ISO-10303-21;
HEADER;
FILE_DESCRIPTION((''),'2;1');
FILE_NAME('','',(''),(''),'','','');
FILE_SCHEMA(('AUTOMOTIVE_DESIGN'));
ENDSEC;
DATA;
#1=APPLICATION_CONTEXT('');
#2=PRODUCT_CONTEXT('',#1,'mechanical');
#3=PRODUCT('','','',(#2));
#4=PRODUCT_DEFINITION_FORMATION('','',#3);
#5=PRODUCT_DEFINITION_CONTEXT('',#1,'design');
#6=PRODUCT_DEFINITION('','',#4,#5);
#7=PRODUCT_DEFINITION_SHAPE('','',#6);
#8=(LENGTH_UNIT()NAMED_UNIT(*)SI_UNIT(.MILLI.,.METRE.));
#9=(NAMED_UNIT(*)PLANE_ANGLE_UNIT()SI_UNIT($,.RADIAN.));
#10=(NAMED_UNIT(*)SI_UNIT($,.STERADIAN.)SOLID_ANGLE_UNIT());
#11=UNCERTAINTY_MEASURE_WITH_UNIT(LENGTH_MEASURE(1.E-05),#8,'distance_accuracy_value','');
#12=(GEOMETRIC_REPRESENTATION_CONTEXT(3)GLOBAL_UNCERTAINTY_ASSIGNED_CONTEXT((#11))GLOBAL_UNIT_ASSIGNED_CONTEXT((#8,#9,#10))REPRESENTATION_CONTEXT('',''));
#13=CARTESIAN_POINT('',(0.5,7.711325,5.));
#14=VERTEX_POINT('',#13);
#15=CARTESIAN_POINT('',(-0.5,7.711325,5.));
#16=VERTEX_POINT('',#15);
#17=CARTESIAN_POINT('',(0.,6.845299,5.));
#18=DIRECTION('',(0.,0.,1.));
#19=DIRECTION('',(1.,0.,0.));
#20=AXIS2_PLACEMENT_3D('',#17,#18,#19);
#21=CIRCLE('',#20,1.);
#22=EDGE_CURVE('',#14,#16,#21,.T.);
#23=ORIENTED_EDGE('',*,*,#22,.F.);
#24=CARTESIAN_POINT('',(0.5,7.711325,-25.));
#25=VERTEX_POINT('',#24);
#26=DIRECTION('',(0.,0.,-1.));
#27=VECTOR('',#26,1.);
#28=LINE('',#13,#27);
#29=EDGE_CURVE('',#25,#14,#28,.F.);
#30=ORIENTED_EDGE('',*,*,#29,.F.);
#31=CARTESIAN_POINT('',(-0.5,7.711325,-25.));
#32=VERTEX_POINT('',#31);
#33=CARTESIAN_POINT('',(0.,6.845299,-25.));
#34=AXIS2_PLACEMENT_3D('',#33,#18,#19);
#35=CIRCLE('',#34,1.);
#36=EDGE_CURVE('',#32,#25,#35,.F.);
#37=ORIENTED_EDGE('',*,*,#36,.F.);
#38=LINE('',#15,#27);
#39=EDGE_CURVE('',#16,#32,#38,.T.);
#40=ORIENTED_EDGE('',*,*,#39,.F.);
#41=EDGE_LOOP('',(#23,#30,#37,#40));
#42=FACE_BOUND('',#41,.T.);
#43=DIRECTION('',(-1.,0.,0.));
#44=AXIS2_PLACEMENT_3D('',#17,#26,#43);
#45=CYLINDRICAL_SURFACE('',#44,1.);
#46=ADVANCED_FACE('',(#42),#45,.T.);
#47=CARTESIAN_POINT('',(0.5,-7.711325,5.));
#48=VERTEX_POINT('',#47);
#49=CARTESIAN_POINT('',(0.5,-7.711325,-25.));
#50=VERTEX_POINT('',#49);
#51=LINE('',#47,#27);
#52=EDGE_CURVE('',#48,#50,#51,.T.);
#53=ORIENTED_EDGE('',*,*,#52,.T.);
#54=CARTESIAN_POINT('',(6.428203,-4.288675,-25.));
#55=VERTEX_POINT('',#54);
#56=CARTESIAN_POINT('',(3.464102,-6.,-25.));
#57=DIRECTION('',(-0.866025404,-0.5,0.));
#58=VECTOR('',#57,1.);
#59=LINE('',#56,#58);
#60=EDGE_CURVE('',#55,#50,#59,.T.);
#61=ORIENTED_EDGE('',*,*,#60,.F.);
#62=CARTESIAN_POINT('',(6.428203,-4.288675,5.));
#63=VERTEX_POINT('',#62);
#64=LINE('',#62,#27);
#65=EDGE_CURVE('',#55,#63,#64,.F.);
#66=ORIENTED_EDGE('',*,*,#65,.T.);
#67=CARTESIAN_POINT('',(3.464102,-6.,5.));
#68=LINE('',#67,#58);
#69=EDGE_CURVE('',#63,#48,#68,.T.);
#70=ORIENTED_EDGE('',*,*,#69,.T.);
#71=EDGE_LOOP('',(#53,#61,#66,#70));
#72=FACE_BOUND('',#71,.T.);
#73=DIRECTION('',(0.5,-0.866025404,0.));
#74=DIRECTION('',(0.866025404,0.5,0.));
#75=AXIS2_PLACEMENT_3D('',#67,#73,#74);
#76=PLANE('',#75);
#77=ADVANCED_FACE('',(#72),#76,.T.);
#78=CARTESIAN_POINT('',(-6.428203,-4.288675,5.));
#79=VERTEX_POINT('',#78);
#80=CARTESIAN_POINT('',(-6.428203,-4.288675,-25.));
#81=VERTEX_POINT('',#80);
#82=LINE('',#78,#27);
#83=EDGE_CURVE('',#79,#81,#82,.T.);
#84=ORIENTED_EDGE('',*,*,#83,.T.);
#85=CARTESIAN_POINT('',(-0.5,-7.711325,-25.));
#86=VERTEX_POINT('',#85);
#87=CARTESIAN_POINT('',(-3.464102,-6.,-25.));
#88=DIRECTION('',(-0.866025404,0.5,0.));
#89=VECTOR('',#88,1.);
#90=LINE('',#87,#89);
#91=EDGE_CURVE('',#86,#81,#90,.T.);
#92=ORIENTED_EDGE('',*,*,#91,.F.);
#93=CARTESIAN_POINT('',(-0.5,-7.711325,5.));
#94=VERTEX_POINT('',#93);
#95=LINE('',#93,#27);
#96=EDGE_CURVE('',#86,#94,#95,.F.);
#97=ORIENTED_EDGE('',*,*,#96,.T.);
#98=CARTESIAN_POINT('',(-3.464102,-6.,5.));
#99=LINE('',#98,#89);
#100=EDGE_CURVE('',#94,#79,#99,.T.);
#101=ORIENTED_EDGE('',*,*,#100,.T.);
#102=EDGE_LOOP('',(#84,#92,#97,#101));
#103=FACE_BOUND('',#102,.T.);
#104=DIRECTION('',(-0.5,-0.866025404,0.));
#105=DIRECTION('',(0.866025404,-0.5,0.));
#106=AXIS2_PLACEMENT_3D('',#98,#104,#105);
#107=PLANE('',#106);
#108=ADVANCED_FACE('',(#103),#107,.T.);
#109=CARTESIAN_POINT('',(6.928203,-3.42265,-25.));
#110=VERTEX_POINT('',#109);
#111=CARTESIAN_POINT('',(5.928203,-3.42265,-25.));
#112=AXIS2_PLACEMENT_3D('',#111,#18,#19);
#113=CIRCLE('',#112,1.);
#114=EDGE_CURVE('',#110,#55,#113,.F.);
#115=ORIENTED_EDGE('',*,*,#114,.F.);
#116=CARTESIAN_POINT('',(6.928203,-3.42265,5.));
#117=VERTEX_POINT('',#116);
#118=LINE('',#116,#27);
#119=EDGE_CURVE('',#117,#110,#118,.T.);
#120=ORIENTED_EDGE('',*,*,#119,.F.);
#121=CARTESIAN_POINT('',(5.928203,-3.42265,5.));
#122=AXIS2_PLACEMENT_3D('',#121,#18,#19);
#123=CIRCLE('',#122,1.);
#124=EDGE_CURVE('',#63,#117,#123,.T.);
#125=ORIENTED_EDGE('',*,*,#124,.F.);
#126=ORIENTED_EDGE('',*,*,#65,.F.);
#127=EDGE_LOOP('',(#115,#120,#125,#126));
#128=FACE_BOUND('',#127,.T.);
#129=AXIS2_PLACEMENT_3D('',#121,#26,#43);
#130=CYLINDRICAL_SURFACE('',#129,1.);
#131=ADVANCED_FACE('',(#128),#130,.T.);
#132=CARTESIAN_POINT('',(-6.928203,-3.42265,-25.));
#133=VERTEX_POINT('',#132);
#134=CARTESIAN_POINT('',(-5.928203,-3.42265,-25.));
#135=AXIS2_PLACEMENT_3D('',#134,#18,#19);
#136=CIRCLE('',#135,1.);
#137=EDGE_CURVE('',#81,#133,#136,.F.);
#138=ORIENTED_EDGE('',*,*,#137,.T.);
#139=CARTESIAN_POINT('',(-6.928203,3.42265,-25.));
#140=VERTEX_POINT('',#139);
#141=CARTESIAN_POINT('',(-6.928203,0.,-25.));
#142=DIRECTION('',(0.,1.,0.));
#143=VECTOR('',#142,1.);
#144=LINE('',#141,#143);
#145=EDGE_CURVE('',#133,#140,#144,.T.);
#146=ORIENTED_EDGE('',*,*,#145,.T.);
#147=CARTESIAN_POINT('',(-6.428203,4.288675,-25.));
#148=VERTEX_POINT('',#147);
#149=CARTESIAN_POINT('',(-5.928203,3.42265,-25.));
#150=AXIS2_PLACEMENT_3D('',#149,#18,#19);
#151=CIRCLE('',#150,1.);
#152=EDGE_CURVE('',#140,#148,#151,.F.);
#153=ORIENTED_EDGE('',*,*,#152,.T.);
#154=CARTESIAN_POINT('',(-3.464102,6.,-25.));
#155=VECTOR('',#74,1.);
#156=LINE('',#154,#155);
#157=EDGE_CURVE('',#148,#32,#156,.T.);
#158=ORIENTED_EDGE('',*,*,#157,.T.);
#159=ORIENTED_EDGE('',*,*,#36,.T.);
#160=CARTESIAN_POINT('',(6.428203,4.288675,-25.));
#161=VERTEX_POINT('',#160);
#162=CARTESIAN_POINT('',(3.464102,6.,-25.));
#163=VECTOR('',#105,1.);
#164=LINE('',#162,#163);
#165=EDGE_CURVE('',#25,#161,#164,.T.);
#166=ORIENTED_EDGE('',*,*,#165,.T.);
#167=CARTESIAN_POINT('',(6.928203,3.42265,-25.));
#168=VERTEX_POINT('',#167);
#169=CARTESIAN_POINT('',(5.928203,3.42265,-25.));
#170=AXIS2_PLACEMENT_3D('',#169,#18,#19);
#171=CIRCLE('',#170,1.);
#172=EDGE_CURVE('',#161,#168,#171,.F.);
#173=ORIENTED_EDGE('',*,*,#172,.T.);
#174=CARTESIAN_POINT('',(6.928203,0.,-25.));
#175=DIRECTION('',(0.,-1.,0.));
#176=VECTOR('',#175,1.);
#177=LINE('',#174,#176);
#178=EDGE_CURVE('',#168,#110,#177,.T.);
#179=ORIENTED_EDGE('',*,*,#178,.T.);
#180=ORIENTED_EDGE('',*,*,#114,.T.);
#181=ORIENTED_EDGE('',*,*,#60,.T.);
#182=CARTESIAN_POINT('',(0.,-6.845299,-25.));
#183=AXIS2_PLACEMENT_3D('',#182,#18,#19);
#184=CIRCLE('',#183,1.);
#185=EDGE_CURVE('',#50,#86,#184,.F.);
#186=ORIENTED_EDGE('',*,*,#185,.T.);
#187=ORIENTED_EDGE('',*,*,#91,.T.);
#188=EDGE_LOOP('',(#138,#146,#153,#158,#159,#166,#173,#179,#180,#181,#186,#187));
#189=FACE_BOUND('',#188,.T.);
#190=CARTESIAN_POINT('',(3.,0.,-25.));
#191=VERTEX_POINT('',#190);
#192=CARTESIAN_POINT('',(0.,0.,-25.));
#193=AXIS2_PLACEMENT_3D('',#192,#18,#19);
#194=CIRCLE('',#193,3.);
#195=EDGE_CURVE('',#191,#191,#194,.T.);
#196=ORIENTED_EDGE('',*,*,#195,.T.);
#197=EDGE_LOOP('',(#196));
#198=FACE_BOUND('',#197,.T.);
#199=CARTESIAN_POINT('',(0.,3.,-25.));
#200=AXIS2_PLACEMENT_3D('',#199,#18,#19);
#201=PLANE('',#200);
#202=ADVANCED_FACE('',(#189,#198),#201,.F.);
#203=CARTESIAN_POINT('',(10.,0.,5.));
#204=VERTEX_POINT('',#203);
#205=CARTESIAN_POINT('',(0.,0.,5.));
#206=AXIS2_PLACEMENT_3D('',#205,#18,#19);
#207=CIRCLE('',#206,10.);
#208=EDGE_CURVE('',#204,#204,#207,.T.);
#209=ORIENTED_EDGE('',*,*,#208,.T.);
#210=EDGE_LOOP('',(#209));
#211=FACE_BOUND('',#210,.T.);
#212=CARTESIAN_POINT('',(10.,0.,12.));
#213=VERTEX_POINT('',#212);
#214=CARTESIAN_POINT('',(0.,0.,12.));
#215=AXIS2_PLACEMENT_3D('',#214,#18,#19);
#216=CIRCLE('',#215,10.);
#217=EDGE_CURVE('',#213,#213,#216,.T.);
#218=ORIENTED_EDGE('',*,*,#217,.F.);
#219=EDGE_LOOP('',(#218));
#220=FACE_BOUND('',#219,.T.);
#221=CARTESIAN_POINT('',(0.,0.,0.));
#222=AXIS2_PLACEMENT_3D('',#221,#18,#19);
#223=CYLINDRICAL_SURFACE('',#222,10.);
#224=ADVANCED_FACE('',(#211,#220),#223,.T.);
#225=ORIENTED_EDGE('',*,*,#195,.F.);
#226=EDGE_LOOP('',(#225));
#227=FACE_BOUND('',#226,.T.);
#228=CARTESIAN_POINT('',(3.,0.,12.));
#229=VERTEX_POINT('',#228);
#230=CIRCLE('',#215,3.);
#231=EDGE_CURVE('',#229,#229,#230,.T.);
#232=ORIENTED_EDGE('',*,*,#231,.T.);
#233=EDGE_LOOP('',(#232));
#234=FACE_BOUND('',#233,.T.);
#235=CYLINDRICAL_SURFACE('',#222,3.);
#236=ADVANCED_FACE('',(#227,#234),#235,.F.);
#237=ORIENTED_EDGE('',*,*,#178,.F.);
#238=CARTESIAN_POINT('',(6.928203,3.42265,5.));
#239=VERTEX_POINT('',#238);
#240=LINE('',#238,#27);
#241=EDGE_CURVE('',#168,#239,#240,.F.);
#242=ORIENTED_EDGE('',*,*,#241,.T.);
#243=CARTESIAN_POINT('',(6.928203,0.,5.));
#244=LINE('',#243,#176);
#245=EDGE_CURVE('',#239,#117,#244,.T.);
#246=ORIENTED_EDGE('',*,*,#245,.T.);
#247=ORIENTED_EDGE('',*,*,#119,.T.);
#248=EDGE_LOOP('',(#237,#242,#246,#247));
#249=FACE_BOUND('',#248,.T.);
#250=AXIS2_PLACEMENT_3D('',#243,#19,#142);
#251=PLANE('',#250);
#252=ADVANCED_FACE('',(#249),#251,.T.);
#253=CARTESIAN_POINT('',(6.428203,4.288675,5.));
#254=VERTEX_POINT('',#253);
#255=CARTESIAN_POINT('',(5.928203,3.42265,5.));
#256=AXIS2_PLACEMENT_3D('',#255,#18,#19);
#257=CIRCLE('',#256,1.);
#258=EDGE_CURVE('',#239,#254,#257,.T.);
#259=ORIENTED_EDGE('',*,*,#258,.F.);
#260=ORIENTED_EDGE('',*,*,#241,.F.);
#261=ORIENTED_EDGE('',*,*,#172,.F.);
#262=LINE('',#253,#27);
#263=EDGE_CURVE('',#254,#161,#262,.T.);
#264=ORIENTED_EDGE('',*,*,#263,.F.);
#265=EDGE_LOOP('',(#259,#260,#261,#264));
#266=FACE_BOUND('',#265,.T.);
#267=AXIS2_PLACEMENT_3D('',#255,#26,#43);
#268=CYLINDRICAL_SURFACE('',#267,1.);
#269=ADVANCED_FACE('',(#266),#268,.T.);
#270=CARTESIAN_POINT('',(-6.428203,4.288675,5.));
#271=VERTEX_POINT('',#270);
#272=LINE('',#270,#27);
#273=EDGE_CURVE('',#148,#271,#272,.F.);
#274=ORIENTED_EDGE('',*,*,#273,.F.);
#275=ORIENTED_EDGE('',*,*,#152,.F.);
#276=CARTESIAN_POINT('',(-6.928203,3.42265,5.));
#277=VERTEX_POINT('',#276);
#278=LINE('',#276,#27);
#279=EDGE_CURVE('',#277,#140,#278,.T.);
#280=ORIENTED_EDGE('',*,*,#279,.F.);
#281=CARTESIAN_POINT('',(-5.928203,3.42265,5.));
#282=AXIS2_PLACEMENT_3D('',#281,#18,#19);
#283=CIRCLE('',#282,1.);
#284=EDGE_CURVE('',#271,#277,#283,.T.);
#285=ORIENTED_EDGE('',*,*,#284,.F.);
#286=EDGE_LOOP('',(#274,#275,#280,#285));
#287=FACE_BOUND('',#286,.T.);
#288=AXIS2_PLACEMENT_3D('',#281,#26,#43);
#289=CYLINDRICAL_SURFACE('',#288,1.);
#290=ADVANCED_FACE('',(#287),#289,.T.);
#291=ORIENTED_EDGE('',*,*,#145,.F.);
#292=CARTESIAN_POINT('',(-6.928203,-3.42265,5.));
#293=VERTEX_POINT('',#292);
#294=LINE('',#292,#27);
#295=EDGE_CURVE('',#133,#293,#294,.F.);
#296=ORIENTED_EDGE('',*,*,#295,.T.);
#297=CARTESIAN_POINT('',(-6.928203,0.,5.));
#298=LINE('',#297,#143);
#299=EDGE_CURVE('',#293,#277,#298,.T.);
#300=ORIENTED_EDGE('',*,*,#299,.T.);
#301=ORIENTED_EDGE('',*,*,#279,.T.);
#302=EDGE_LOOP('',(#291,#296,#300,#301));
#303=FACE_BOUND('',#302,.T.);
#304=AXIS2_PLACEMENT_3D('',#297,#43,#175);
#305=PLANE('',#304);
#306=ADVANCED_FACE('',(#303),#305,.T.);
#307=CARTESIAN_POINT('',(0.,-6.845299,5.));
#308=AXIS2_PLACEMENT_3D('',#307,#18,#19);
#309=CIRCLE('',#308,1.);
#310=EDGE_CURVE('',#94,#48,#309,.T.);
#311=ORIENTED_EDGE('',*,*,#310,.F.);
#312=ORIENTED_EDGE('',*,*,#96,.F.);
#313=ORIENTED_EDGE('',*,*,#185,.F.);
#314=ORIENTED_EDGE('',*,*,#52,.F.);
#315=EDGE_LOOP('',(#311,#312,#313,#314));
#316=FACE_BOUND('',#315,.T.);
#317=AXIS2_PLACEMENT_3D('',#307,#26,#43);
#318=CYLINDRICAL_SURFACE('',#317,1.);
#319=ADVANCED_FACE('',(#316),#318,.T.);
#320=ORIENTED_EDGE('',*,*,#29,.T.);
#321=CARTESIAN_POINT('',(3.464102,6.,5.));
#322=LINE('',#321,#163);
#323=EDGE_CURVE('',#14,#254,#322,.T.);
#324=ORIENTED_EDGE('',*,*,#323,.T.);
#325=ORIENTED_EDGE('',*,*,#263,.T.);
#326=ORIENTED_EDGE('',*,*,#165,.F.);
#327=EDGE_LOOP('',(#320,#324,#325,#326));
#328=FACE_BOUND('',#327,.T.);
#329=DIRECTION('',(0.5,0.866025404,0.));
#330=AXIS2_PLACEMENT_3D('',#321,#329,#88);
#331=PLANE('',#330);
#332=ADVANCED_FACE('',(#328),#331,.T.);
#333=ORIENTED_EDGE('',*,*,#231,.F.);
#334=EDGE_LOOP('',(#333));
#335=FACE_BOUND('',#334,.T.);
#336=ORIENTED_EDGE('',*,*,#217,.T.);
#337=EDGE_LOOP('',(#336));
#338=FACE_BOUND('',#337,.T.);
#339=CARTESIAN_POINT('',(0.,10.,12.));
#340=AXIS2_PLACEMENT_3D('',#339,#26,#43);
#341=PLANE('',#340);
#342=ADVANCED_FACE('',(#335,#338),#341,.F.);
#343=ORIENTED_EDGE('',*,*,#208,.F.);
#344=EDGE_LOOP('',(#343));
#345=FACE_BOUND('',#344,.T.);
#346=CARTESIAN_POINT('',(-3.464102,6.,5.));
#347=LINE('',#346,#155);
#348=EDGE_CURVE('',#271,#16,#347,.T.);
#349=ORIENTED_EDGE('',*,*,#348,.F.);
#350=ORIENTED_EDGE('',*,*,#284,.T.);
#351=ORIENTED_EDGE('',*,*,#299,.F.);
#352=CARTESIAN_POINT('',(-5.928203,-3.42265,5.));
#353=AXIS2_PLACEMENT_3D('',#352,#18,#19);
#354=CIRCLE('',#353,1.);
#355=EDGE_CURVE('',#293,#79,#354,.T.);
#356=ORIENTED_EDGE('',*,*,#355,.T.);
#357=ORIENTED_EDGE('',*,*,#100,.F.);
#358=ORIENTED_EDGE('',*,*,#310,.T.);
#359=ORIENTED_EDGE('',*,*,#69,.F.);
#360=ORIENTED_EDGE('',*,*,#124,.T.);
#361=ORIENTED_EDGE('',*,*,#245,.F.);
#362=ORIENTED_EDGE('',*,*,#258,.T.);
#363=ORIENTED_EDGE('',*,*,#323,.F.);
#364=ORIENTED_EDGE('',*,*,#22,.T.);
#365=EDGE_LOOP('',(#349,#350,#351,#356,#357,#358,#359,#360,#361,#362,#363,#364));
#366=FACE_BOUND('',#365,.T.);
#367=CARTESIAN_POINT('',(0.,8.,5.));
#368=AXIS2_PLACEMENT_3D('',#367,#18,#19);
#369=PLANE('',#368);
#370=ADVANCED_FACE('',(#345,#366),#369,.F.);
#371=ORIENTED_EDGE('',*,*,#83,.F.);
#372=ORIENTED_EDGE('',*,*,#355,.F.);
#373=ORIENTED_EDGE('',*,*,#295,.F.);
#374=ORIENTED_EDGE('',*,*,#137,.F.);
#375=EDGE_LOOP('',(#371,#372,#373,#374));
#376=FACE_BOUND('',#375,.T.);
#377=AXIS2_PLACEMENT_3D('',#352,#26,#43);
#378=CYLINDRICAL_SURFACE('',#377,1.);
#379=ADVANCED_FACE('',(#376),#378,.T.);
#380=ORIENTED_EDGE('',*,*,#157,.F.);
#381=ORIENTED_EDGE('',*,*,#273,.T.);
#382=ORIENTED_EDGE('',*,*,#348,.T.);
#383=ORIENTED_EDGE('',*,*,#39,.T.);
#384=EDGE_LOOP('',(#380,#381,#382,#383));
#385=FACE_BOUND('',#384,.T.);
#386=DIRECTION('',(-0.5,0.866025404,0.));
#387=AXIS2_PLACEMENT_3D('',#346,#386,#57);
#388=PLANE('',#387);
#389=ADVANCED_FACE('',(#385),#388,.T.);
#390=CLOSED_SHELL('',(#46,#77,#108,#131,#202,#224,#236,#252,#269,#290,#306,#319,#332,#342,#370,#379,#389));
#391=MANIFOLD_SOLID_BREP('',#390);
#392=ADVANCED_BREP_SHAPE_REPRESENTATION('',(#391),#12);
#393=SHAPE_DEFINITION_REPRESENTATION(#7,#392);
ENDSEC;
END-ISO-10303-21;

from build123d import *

# Parameters (mm, degrees)
CUT_EXTRUDE1_DEPTH = 30
FILLET1_R          = 1


with BuildPart() as part:
    # Sketch2 → Revolve1 (revolve)
    with BuildSketch(Plane(origin=(0, 0, 0), x_dir=(0, 0, -1), z_dir=(1, 0, 0))):
        Polygon((-12, 3), (25, 3), (25, 8), (-5, 8), (-5, 10), (-12, 10), align=None)
    revolve(axis=Axis((0, 0, 0), (0, 0, -1)))

    # Sketch3 → Cut-Extrude1 (cut)
    with BuildSketch(Plane(origin=(0, 0, -25), x_dir=(-1, 0, 0), z_dir=(0, 0, -1))):
        with BuildLine():
            ThreePointArc((0, 8), (-4, 6.92820323), (-6.92820323, 4))
            Line((-6.92820323, 4), (0, 8))
        make_face()
        with BuildLine():
            ThreePointArc((-6.92820323, 4), (-8, 0), (-6.92820323, -4))
            Line((-6.92820323, -4), (-6.92820323, 4))
        make_face()
        with BuildLine():
            ThreePointArc((-6.92820323, -4), (-4, -6.92820323), (0, -8))
            Line((0, -8), (-6.92820323, -4))
        make_face()
        with BuildLine():
            Line((6.92820323, -4), (0, -8))
            ThreePointArc((0, -8), (4, -6.92820323), (6.92820323, -4))
        make_face()
        with BuildLine():
            Line((6.92820323, 4), (6.92820323, -4))
            ThreePointArc((6.92820323, -4), (7.72740661, -2.070552361), (8, 0))
            ThreePointArc((8, 0), (7.72740661, 2.070552361), (6.92820323, 4))
        make_face()
        with BuildLine():
            Line((0, 8), (6.92820323, 4))
            ThreePointArc((6.92820323, 4), (4, 6.92820323), (0, 8))
        make_face()
    extrude(amount=-CUT_EXTRUDE1_DEPTH, mode=Mode.SUBTRACT)

    # Fillet1
    fillet1_edges = [part.edges().sort_by_distance(p)[0] for p in [
        (0, 8, -10),
        (6.92820323, 4, -10),
        (6.92820323, -4, -10),
        (0, -8, -10),
        (-6.92820323, -4, -10),
        (-6.92820323, 4, -10),
    ]]
    fillet(fillet1_edges, radius=FILLET1_R)


solid = part.part
